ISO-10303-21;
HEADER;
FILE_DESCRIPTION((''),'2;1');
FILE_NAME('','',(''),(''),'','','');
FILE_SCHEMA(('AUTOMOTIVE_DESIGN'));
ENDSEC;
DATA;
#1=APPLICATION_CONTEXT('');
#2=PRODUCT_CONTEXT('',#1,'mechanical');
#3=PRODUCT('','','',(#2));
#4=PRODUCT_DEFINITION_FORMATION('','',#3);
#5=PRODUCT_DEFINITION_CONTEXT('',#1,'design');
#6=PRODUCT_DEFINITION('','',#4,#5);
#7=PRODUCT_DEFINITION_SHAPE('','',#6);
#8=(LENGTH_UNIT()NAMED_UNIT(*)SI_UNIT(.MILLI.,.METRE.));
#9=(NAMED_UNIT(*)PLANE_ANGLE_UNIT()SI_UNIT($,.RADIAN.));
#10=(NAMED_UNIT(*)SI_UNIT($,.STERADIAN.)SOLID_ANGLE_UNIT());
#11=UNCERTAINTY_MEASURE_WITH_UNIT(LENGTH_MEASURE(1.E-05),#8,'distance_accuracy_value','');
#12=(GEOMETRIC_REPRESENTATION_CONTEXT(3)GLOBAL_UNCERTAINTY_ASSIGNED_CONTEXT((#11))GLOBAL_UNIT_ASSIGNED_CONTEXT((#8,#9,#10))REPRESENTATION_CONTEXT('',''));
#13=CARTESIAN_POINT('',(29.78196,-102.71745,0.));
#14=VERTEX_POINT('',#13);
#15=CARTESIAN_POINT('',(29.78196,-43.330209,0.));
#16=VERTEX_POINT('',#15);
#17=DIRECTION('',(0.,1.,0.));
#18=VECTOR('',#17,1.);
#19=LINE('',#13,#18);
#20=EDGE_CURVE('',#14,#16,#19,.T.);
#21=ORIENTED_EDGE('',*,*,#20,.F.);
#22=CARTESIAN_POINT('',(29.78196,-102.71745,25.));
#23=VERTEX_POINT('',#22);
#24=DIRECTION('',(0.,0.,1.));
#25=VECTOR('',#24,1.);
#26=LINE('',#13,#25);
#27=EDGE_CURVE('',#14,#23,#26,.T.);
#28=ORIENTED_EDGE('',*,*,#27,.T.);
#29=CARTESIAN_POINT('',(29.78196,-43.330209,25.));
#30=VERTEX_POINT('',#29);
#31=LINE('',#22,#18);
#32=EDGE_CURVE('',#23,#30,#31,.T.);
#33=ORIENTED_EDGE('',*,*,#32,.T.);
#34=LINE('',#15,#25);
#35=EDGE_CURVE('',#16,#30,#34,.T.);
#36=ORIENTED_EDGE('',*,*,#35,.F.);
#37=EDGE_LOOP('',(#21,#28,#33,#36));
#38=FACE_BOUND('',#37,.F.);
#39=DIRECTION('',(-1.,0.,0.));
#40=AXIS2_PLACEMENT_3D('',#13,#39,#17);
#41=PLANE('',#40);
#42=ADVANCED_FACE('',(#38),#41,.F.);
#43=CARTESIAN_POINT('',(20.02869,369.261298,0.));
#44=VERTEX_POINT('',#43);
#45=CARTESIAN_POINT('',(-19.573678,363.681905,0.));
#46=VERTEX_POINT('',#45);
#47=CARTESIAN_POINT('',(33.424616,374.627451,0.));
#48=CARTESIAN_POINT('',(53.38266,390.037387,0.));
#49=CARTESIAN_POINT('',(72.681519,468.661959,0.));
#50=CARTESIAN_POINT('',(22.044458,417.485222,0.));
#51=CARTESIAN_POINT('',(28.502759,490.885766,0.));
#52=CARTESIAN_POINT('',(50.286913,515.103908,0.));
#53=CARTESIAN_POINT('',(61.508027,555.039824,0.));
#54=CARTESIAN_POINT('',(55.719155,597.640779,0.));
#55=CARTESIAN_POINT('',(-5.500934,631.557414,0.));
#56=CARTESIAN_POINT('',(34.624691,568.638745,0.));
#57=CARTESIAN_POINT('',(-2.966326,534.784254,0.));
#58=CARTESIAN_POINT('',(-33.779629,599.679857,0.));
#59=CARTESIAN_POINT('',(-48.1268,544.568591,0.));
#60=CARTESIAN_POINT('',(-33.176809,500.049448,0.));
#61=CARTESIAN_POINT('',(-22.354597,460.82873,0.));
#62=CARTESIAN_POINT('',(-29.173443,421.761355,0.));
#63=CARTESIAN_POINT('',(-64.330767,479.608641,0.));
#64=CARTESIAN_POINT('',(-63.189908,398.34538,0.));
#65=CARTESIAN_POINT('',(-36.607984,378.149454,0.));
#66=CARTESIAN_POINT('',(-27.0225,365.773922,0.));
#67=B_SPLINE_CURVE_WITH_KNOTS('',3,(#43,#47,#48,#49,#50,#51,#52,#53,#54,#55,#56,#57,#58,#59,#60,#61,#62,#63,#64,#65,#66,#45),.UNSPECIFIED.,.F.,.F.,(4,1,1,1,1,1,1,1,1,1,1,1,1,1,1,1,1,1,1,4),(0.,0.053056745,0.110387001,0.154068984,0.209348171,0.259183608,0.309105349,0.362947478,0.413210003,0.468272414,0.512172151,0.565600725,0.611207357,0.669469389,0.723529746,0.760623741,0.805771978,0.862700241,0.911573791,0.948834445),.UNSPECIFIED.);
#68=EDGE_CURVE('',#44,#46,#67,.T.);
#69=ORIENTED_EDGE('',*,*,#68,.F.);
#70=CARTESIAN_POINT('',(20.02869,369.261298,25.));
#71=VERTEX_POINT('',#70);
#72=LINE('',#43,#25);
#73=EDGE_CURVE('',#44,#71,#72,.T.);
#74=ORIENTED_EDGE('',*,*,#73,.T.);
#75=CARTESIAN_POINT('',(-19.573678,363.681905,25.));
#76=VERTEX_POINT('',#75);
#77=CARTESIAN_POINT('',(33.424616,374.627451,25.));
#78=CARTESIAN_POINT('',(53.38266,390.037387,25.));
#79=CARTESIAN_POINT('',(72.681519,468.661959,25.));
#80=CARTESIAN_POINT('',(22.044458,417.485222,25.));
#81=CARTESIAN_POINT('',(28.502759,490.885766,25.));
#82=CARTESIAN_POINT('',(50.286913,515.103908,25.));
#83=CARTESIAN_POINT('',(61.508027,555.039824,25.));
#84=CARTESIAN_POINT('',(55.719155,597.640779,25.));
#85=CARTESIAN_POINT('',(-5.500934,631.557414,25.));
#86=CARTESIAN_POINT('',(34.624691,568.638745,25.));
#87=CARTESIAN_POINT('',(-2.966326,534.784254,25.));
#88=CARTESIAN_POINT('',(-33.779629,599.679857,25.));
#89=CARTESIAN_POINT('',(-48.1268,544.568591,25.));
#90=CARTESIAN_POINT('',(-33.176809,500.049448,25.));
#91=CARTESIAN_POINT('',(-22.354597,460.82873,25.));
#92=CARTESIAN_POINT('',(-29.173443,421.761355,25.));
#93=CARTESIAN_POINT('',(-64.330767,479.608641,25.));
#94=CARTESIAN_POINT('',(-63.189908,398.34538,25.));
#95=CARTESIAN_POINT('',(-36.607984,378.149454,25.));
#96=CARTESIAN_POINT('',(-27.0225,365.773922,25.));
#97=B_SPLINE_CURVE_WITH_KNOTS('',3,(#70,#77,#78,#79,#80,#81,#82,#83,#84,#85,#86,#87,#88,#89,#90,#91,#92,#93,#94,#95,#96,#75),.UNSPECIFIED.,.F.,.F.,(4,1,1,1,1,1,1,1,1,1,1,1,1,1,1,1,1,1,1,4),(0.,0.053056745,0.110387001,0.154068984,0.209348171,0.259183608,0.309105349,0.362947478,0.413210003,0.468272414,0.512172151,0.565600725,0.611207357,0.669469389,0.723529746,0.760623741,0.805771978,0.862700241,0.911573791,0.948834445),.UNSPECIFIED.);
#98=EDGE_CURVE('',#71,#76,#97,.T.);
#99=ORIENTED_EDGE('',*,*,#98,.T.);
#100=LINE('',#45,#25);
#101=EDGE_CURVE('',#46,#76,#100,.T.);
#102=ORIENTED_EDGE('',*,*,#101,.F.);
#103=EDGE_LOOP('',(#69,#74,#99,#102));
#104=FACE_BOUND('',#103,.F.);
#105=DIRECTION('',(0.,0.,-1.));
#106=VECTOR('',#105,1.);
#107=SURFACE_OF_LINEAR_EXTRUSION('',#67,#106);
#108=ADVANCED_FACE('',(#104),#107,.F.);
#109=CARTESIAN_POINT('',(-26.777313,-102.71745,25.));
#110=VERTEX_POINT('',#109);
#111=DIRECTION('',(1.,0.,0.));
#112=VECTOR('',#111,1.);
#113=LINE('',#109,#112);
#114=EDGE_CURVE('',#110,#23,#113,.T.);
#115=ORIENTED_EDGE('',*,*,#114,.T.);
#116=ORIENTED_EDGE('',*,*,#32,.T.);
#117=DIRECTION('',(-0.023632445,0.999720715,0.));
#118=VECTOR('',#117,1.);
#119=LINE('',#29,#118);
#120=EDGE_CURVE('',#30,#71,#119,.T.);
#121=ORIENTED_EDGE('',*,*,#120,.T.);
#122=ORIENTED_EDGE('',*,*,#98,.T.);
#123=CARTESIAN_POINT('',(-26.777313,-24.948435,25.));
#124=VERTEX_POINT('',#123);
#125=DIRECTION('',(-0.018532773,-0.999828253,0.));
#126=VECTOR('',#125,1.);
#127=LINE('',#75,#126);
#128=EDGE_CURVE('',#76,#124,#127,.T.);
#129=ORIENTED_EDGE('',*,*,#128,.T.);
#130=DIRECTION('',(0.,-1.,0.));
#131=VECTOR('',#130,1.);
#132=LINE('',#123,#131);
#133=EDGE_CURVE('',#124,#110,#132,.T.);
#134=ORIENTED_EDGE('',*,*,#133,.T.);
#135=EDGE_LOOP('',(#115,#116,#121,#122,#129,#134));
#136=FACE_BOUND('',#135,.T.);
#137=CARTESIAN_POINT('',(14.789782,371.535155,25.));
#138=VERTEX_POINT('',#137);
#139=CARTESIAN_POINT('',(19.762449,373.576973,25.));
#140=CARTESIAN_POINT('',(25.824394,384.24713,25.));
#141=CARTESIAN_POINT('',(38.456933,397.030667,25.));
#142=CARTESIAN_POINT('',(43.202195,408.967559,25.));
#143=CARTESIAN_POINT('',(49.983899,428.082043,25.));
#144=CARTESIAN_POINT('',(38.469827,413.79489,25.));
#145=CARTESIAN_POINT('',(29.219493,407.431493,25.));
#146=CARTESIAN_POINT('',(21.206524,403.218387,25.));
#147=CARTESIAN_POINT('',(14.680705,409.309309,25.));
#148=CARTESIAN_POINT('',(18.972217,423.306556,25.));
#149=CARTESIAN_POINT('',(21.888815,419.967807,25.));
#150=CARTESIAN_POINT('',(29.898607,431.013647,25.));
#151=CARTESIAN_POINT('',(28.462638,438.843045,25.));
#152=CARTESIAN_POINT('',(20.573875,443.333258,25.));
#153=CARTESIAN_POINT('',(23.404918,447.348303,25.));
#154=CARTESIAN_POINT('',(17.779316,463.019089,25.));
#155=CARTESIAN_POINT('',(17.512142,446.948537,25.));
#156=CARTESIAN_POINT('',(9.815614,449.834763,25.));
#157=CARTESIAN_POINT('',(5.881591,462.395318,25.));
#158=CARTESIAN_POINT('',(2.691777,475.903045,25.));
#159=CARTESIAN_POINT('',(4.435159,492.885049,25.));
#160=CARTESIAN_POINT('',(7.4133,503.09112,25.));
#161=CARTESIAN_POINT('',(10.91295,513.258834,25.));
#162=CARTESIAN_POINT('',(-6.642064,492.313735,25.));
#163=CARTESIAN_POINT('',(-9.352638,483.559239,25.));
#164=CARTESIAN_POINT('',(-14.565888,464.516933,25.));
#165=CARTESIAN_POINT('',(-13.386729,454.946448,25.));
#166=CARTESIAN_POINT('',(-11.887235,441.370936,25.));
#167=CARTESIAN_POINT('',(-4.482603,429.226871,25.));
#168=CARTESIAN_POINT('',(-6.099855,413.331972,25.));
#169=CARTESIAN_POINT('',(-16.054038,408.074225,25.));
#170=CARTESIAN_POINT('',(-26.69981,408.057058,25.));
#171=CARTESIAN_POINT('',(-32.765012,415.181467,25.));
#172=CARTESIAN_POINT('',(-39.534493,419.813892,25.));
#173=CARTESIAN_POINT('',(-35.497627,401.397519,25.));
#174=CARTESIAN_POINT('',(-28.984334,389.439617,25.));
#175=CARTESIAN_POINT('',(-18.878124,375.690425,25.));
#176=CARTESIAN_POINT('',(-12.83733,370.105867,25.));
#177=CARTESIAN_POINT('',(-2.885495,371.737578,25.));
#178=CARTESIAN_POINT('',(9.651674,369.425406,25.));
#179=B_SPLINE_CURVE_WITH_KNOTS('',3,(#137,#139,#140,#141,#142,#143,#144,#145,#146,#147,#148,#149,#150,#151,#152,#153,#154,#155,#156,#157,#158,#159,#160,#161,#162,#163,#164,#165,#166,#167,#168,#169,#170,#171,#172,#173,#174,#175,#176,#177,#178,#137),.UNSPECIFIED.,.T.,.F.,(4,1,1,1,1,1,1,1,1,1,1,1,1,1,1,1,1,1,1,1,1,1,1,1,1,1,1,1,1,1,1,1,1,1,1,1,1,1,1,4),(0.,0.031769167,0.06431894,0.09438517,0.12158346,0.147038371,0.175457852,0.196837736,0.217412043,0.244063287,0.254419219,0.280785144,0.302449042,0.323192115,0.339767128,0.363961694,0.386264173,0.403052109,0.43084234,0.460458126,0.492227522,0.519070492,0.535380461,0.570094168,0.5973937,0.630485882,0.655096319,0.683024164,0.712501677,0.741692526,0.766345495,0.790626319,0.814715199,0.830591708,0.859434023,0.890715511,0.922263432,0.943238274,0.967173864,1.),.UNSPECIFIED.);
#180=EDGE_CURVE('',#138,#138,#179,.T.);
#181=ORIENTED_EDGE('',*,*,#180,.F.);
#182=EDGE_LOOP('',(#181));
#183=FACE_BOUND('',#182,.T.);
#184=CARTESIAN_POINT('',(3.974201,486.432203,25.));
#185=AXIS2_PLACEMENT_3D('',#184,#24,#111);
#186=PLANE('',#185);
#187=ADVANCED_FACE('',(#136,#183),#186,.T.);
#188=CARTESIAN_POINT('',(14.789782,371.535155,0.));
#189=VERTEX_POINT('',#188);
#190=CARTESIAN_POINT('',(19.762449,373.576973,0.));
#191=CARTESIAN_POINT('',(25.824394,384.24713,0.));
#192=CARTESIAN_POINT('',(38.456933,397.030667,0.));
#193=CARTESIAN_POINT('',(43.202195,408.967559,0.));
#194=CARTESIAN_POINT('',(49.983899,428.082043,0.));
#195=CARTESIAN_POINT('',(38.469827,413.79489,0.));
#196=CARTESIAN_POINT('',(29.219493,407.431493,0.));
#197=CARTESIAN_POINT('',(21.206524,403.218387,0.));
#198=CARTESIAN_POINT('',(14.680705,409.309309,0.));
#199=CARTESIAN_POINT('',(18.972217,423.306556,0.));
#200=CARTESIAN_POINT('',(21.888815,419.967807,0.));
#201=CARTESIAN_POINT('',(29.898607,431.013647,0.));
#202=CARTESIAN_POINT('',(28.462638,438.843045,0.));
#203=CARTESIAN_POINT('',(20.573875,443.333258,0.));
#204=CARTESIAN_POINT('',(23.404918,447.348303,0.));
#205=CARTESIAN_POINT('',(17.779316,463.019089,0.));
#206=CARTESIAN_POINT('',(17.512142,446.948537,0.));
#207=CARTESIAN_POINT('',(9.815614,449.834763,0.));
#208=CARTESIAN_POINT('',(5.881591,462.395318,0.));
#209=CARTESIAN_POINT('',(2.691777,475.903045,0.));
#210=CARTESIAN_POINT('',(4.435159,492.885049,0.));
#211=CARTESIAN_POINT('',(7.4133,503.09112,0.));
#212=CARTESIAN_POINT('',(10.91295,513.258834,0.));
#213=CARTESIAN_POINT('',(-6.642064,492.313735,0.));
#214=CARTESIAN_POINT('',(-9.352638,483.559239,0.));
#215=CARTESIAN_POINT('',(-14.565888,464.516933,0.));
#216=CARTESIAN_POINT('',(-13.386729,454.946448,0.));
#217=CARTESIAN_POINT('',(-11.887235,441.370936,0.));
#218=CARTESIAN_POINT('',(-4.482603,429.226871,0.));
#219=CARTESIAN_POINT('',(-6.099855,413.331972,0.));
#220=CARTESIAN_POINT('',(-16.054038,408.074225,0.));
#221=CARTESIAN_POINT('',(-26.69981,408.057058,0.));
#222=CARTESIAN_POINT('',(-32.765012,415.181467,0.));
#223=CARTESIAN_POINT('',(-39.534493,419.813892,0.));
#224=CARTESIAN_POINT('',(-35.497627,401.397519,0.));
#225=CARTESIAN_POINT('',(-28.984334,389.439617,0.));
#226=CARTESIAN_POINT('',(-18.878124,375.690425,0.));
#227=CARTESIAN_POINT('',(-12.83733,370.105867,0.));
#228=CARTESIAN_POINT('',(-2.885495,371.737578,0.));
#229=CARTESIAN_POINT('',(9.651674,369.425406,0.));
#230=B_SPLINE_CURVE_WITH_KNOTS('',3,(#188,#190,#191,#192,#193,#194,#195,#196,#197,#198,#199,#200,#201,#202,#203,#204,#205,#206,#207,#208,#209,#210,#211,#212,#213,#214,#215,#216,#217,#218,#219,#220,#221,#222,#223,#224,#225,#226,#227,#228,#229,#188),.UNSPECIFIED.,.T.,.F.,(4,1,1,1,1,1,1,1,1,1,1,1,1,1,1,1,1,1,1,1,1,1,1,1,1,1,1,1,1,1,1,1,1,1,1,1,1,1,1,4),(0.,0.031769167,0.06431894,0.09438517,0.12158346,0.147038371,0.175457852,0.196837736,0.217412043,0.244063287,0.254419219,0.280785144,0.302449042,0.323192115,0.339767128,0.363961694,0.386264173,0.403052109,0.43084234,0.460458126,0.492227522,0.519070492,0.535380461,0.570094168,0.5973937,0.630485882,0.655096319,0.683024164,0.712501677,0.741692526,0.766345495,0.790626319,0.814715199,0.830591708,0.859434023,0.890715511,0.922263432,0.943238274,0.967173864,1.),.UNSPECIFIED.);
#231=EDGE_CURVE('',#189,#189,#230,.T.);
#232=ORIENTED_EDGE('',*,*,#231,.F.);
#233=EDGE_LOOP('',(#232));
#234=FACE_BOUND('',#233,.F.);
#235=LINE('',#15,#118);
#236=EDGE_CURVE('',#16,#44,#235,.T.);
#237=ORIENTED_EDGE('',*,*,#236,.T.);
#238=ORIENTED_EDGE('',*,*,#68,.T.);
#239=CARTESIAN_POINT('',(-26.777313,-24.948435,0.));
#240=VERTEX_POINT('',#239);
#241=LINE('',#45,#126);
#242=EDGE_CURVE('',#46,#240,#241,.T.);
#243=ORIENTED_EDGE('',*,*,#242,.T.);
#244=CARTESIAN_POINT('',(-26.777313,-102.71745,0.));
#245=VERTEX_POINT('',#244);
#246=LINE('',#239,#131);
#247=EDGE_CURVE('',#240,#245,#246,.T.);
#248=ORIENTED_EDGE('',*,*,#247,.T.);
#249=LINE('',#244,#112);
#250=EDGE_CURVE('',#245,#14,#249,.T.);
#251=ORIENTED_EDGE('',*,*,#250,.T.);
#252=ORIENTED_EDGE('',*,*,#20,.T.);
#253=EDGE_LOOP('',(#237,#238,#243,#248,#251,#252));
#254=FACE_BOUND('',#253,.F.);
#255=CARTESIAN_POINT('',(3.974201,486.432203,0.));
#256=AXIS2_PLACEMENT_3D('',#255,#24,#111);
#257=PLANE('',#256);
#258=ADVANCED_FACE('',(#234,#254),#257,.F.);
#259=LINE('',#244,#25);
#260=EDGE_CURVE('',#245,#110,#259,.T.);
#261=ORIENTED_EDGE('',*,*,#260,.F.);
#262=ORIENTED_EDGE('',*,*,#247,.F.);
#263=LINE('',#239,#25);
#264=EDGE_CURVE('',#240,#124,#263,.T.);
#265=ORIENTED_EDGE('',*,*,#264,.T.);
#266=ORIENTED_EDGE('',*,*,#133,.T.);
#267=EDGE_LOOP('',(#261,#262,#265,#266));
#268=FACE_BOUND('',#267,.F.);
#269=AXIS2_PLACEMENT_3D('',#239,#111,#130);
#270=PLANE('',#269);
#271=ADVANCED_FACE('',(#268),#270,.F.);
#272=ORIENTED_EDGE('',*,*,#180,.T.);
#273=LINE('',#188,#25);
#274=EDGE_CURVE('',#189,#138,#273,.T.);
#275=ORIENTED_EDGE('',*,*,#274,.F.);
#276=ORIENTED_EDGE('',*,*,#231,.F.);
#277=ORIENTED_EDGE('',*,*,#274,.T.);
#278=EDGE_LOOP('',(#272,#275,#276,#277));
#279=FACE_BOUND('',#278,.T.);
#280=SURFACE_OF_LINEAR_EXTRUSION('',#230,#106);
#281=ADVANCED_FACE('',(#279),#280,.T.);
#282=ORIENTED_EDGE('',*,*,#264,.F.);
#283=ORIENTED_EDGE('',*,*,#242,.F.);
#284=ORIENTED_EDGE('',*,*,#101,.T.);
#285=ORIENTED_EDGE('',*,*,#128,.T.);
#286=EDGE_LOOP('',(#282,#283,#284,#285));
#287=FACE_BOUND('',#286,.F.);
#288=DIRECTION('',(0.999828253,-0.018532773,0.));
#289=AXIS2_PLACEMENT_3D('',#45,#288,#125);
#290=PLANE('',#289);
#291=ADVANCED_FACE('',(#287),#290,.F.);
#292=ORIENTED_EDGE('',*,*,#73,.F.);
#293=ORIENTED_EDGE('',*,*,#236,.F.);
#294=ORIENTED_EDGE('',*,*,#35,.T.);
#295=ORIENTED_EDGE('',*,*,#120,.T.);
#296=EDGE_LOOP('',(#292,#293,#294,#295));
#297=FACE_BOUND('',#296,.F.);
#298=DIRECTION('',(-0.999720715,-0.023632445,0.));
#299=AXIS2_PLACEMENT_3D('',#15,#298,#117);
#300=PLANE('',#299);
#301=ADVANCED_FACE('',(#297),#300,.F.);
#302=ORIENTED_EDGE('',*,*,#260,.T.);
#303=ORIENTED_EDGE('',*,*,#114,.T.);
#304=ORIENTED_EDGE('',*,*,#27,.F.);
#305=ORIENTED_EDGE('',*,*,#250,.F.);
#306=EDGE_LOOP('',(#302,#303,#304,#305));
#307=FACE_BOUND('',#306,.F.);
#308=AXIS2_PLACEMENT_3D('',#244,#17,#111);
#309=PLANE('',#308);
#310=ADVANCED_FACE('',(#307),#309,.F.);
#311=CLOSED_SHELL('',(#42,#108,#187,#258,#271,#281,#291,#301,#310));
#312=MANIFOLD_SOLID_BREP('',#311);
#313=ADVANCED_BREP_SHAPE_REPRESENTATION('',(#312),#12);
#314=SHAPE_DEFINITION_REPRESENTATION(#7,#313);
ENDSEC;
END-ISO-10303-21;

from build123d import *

# Parameters (mm, degrees)
F1_DEPTH = 25


with BuildPart() as f1:
    # F0 (on Top) → F1 (new body)
    with BuildSketch(Plane.XY):
        with BuildLine():
            add(Edge.make_bspline(
                [(-19.5736779145, 363.6819052511), (-9.3451100925, 360.8091911665), (7.1102567491, 364.0864194142), (20.0286897982, 369.2612978579)],
                knots=[0.9488344452, 0.9488344452, 0.9488344452, 0.9488344452, 1, 1, 1, 1], degree=3))
            add(Edge.make_bspline(
                [(20.0286897982, 369.2612978579), (33.4246161596, 374.6274510359), (53.3826597317, 390.037386752), (72.6815185011, 468.6619585731), (22.0444583264, 417.4852222537), (28.5027587505, 490.885765911), (50.2869130397, 515.1039077602), (61.5080272779, 555.0398240325), (55.7191551438, 597.640778663), (-5.5009339182, 631.5574137086), (34.6246911121, 568.6387448527), (-2.9663262438, 534.7842538274), (-33.7796287025, 599.6798567967), (-48.1267997586, 544.5685913845), (-33.176809357, 500.0494476443), (-22.354597122, 460.8287295644), (-29.1734432797, 421.7613552302), (-64.3307666591, 479.6086405469), (-63.1899082494, 398.3453804518), (-36.6079841661, 378.1494542932), (-27.0225001751, 365.773922139), (-19.5736779145, 363.6819052511)],
                knots=[0, 0, 0, 0, 0.0530567447, 0.110387001, 0.1540689835, 0.2093481711, 0.2591836085, 0.3091053493, 0.362947478, 0.4132100032, 0.4682724137, 0.5121721509, 0.5656007249, 0.6112073571, 0.6694693889, 0.7235297461, 0.7606237414, 0.8057719778, 0.8627002405, 0.9115737915, 0.9488344452, 0.9488344452, 0.9488344452, 0.9488344452], degree=3))
        make_face()
        with BuildLine():
            add(Edge.make_bspline(
                [(14.7897824758, 371.5351554009), (19.7624492278, 373.5769729955), (25.8243938532, 384.2471295718), (38.4569325297, 397.0306668478), (43.2021953802, 408.9675592647), (49.9838991542, 428.0820428222), (38.4698265207, 413.7948899151), (29.2194932169, 407.4314934188), (21.2065243841, 403.2183866715), (14.6807053953, 409.3093094413), (18.9722167779, 423.306556375), (21.8888150911, 419.9678071481), (29.8986072398, 431.013646883), (28.4626377168, 438.8430452488), (20.5738748681, 443.3332584197), (23.4049182591, 447.3483034811), (17.7793155894, 463.0190887362), (17.5121421831, 446.9485374536), (9.8156141458, 449.8347627648), (5.8815905942, 462.3953175569), (2.6917765472, 475.9030453079), (4.435158658, 492.8850487574), (7.4133000433, 503.0911203487), (10.9129496589, 513.2588341274), (-6.6420638658, 492.3137345514), (-9.3526379063, 483.5592385815), (-14.5658882256, 464.5169328728), (-13.3867292407, 454.9464476728), (-11.8872351643, 441.3709362337), (-4.4826027753, 429.226871244), (-6.0998550312, 413.331971787), (-16.0540379271, 408.0742247458), (-26.69980965, 408.0570578938), (-32.7650118858, 415.1814666256), (-39.5344925973, 419.8138917167), (-35.497627246, 401.3975191451), (-28.9843343063, 389.4396167388), (-18.8781238714, 375.6904253597), (-12.8373301658, 370.1058666729), (-2.8854946877, 371.7375777815), (9.6516736959, 369.4254059581), (14.7897824758, 371.5351554009)],
                knots=[0, 0, 0, 0, 0.0317691669, 0.0643189403, 0.0943851697, 0.1215834603, 0.1470383711, 0.1754578515, 0.1968377358, 0.2174120431, 0.244063287, 0.2544192188, 0.280785144, 0.3024490417, 0.3231921147, 0.339767128, 0.3639616936, 0.3862641728, 0.4030521088, 0.4308423405, 0.4604581256, 0.4922275218, 0.5190704922, 0.5353804611, 0.5700941678, 0.5973936999, 0.6304858823, 0.6550963188, 0.6830241644, 0.7125016771, 0.7416925265, 0.7663454952, 0.7906263195, 0.8147151992, 0.8305917083, 0.8594340227, 0.8907155111, 0.9222634324, 0.9432382738, 0.9671738639, 1, 1, 1, 1], degree=3))
        make_face(mode=Mode.SUBTRACT)
        with BuildLine():
            Line((29.7819599315, -43.3302088392), (20.0286897982, 369.2612978579))
            add(Edge.make_bspline(
                [(-19.5736779145, 363.6819052511), (-9.3451100925, 360.8091911665), (7.1102567491, 364.0864194142), (20.0286897982, 369.2612978579)],
                knots=[0.9488344452, 0.9488344452, 0.9488344452, 0.9488344452, 1, 1, 1, 1], degree=3))
            Line((-19.5736779145, 363.6819052511), (-26.7773131699, -24.9484354126))
            Line((-26.7773131699, -24.9484354126), (-26.7773131699, -102.7174498669))
            Line((-26.7773131699, -102.7174498669), (29.7819599315, -102.7174498669))
            Line((29.7819599315, -102.7174498669), (29.7819599315, -43.3302088392))
        make_face()
    extrude(amount=F1_DEPTH)


solid = f1.part
